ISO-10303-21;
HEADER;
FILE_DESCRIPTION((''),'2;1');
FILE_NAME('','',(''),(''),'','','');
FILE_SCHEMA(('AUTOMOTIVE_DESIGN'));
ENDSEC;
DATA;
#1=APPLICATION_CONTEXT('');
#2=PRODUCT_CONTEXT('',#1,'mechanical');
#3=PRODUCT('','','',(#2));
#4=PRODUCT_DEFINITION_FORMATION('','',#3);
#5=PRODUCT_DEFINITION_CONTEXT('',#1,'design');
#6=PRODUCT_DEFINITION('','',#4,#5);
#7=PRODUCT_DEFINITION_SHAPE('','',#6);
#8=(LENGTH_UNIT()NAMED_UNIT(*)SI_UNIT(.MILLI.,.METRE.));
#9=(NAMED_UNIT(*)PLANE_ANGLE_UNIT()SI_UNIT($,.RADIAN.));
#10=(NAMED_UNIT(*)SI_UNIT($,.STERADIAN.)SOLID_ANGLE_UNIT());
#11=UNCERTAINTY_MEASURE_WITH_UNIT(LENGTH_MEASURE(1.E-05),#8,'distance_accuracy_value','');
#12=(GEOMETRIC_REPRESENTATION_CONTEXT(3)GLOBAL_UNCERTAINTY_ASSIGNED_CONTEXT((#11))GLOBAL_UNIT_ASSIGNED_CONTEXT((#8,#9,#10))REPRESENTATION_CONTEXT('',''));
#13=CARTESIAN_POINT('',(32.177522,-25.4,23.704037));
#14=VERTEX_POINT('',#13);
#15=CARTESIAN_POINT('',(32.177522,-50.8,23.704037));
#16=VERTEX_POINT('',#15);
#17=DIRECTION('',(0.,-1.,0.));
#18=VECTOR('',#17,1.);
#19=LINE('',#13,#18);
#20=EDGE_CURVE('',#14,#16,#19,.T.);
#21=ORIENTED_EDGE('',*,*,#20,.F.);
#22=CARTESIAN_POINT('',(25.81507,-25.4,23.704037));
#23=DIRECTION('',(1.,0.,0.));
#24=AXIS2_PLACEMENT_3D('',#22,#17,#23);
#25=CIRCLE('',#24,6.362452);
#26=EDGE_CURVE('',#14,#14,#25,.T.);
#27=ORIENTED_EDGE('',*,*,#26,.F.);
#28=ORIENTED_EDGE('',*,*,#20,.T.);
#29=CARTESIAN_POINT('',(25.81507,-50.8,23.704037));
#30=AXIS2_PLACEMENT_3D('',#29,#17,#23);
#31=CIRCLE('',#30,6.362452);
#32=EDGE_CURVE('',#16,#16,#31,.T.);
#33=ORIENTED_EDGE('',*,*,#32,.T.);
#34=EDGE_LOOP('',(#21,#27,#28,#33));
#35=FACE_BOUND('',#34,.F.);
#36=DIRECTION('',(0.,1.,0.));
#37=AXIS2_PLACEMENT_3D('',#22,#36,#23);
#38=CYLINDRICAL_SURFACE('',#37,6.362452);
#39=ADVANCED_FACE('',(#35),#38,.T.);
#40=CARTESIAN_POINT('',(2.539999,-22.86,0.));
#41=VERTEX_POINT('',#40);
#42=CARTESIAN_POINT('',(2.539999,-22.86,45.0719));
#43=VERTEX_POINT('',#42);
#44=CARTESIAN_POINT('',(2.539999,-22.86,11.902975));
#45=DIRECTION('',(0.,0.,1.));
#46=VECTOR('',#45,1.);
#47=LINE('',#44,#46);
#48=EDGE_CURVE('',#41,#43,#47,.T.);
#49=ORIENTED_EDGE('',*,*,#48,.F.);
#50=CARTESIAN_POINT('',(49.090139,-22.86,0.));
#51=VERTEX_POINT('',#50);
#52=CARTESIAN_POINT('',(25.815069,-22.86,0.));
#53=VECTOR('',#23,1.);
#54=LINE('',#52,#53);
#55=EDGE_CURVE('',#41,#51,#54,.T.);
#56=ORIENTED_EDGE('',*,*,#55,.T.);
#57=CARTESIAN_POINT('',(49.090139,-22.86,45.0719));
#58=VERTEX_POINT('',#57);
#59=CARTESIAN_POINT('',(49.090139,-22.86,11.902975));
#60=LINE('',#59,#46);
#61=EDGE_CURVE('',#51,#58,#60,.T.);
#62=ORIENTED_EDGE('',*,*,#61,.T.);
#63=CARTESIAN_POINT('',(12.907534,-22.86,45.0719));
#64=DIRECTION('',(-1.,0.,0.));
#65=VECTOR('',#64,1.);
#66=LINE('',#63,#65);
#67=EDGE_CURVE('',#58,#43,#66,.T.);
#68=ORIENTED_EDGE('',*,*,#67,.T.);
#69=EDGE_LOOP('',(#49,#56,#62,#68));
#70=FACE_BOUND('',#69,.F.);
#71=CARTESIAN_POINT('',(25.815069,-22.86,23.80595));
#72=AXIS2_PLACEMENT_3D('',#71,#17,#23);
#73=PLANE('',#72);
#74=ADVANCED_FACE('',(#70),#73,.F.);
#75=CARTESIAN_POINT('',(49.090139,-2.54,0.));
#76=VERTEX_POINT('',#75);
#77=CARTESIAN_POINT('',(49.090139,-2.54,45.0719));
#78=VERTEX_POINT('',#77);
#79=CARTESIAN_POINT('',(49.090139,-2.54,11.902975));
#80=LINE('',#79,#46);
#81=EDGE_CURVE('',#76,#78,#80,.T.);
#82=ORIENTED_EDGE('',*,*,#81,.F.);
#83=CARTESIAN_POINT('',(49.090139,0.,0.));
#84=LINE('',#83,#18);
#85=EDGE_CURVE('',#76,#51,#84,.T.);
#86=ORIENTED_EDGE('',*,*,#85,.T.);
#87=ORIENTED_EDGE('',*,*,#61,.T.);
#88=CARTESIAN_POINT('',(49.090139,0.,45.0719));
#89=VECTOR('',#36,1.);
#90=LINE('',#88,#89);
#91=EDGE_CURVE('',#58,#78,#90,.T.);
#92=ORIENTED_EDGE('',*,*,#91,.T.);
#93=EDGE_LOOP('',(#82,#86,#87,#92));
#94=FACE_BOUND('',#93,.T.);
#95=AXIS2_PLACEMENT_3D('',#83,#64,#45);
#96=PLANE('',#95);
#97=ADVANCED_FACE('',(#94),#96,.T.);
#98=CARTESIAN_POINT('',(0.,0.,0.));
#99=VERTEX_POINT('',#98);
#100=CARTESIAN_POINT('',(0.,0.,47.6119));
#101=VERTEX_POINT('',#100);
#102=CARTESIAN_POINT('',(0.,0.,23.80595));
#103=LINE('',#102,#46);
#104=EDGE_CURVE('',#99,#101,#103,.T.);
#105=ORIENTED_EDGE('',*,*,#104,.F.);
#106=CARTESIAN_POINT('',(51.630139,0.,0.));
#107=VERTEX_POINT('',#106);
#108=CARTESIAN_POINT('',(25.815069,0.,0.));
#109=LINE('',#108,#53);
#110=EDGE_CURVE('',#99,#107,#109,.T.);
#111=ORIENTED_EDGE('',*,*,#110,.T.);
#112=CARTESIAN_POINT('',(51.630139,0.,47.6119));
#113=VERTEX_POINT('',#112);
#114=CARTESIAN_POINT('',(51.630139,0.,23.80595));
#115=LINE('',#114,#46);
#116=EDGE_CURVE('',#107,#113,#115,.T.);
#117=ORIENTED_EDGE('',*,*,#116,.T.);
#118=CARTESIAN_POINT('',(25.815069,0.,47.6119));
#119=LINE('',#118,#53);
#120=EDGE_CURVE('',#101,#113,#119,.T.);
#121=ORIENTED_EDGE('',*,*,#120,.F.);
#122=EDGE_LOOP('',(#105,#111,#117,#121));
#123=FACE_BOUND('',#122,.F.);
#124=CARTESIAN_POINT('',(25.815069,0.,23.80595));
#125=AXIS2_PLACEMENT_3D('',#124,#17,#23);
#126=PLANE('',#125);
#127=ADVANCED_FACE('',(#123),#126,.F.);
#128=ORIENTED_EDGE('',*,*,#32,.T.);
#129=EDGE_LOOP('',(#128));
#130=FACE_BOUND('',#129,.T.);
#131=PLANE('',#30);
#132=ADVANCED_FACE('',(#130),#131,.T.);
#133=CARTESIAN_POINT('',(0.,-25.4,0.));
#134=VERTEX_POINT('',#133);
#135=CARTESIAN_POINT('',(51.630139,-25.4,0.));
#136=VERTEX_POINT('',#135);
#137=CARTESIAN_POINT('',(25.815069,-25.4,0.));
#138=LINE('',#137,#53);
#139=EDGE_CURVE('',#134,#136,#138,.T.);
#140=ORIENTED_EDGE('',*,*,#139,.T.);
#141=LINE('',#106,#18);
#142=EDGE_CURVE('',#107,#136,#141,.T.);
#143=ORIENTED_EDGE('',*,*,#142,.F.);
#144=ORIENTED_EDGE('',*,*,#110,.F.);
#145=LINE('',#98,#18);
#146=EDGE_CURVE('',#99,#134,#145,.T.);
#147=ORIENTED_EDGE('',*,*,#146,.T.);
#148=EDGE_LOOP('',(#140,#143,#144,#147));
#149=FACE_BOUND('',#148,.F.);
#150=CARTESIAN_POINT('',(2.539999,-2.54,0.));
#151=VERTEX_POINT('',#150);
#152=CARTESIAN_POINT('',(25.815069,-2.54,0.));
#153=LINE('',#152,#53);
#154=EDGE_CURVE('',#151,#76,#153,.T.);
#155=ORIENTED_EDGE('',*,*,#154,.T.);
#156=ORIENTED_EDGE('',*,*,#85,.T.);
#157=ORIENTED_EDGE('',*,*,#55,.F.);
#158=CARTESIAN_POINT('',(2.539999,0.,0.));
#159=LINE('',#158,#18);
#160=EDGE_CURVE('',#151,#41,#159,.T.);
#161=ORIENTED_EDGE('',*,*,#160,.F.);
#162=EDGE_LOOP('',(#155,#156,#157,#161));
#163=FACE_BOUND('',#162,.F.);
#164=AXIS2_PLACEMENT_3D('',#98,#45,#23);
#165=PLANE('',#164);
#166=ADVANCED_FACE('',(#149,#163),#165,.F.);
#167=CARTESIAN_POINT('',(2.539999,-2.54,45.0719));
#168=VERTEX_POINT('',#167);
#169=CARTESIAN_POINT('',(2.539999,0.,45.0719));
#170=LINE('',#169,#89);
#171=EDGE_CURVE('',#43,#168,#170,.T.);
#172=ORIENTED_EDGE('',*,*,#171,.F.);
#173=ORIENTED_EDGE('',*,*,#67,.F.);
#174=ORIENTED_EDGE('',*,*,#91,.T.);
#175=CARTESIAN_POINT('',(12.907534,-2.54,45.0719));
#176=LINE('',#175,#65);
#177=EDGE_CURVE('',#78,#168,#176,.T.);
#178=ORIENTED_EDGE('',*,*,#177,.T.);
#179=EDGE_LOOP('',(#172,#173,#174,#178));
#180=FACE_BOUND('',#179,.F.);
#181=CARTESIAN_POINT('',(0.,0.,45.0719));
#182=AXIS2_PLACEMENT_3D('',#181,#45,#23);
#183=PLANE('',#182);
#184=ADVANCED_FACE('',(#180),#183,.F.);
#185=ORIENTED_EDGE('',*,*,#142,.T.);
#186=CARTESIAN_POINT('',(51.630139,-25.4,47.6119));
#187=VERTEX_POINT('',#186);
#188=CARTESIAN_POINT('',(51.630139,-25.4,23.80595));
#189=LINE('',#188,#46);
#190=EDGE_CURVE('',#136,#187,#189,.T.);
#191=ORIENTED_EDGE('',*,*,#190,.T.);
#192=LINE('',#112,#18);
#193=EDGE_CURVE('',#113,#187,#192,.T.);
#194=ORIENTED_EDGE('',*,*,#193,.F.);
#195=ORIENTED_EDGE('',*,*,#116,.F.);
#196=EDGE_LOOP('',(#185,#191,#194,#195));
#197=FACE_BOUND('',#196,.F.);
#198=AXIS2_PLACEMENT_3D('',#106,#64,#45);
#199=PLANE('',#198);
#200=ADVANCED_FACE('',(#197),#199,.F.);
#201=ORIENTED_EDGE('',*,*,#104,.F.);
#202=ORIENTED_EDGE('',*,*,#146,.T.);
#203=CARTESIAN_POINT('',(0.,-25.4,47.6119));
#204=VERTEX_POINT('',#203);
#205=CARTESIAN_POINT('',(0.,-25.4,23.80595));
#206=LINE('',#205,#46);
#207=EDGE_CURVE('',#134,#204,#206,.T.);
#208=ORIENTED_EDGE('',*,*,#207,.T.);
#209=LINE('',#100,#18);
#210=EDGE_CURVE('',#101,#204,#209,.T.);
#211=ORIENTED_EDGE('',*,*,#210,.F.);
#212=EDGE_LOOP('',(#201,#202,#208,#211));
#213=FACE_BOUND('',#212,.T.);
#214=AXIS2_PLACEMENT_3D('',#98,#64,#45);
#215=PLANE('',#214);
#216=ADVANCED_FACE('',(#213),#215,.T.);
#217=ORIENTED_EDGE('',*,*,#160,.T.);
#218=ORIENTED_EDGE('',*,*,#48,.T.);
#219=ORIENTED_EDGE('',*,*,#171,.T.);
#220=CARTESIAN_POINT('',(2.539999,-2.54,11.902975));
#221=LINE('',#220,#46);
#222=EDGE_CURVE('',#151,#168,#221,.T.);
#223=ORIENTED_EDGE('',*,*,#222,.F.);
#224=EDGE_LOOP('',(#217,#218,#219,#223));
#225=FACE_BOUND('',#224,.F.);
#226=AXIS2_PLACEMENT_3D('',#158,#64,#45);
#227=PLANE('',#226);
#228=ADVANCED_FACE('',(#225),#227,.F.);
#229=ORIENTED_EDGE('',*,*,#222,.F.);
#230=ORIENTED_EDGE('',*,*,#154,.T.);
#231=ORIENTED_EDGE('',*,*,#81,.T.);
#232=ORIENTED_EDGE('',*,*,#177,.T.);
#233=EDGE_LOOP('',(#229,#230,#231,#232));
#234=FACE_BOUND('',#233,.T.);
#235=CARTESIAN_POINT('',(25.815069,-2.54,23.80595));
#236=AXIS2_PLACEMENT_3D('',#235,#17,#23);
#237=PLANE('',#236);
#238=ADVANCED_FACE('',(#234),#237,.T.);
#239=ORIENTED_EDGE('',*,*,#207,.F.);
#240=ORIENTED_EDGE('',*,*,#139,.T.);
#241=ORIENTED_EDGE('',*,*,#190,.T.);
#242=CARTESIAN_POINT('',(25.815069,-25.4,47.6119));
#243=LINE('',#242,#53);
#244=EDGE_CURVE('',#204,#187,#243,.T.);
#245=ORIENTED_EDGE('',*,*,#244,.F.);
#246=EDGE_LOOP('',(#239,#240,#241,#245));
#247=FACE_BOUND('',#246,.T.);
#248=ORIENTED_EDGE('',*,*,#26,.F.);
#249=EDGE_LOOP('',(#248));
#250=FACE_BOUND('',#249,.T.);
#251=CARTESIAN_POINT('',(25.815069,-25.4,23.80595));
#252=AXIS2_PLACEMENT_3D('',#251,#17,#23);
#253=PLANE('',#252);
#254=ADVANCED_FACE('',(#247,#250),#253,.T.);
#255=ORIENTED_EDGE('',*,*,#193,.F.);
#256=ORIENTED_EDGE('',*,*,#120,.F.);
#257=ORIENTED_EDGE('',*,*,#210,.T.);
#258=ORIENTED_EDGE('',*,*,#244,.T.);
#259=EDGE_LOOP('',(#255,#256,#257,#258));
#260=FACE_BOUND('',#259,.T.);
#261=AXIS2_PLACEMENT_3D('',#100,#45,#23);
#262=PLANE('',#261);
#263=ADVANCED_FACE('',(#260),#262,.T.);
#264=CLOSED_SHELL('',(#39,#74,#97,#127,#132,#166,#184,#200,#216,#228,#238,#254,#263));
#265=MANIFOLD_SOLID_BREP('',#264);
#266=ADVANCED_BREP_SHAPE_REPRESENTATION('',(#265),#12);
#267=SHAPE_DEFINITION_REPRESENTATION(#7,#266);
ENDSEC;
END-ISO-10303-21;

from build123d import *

# Parameters (mm, degrees)
F0_W     = 51.630139
F0_H     = 47.6119
F1_DEPTH = 25.4
F2_T     = -127
F3_T     = -2.54
F4_R     = 6.362452
F5_DEPTH = 25.4


with BuildPart() as f1:
    # F0 (on Front) → F1 (new body)
    with BuildSketch(Plane.XZ):
        with Locations((25.815069, 23.80595)):
            Rectangle(F0_W, F0_H)
    extrude(amount=F1_DEPTH)

    # F2
    f2_openings = [f1.faces().sort_by_distance(p)[0] for p in [
        (0, -12.7, 23.80595),
    ]]
    offset(amount=F2_T, openings=f2_openings)

    # F3
    f3_openings = [f1.faces().sort_by_distance(p)[0] for p in [
        (25.81507, -12.7, 0),
    ]]
    offset(amount=F3_T, openings=f3_openings)

    # F4 (on face) → F5 (join)
    with BuildSketch(Plane.XZ.offset(25.4)):
        with Locations((25.81507, 23.704037)):
            Circle(F4_R)
    extrude(amount=F5_DEPTH)


solid = f1.part
